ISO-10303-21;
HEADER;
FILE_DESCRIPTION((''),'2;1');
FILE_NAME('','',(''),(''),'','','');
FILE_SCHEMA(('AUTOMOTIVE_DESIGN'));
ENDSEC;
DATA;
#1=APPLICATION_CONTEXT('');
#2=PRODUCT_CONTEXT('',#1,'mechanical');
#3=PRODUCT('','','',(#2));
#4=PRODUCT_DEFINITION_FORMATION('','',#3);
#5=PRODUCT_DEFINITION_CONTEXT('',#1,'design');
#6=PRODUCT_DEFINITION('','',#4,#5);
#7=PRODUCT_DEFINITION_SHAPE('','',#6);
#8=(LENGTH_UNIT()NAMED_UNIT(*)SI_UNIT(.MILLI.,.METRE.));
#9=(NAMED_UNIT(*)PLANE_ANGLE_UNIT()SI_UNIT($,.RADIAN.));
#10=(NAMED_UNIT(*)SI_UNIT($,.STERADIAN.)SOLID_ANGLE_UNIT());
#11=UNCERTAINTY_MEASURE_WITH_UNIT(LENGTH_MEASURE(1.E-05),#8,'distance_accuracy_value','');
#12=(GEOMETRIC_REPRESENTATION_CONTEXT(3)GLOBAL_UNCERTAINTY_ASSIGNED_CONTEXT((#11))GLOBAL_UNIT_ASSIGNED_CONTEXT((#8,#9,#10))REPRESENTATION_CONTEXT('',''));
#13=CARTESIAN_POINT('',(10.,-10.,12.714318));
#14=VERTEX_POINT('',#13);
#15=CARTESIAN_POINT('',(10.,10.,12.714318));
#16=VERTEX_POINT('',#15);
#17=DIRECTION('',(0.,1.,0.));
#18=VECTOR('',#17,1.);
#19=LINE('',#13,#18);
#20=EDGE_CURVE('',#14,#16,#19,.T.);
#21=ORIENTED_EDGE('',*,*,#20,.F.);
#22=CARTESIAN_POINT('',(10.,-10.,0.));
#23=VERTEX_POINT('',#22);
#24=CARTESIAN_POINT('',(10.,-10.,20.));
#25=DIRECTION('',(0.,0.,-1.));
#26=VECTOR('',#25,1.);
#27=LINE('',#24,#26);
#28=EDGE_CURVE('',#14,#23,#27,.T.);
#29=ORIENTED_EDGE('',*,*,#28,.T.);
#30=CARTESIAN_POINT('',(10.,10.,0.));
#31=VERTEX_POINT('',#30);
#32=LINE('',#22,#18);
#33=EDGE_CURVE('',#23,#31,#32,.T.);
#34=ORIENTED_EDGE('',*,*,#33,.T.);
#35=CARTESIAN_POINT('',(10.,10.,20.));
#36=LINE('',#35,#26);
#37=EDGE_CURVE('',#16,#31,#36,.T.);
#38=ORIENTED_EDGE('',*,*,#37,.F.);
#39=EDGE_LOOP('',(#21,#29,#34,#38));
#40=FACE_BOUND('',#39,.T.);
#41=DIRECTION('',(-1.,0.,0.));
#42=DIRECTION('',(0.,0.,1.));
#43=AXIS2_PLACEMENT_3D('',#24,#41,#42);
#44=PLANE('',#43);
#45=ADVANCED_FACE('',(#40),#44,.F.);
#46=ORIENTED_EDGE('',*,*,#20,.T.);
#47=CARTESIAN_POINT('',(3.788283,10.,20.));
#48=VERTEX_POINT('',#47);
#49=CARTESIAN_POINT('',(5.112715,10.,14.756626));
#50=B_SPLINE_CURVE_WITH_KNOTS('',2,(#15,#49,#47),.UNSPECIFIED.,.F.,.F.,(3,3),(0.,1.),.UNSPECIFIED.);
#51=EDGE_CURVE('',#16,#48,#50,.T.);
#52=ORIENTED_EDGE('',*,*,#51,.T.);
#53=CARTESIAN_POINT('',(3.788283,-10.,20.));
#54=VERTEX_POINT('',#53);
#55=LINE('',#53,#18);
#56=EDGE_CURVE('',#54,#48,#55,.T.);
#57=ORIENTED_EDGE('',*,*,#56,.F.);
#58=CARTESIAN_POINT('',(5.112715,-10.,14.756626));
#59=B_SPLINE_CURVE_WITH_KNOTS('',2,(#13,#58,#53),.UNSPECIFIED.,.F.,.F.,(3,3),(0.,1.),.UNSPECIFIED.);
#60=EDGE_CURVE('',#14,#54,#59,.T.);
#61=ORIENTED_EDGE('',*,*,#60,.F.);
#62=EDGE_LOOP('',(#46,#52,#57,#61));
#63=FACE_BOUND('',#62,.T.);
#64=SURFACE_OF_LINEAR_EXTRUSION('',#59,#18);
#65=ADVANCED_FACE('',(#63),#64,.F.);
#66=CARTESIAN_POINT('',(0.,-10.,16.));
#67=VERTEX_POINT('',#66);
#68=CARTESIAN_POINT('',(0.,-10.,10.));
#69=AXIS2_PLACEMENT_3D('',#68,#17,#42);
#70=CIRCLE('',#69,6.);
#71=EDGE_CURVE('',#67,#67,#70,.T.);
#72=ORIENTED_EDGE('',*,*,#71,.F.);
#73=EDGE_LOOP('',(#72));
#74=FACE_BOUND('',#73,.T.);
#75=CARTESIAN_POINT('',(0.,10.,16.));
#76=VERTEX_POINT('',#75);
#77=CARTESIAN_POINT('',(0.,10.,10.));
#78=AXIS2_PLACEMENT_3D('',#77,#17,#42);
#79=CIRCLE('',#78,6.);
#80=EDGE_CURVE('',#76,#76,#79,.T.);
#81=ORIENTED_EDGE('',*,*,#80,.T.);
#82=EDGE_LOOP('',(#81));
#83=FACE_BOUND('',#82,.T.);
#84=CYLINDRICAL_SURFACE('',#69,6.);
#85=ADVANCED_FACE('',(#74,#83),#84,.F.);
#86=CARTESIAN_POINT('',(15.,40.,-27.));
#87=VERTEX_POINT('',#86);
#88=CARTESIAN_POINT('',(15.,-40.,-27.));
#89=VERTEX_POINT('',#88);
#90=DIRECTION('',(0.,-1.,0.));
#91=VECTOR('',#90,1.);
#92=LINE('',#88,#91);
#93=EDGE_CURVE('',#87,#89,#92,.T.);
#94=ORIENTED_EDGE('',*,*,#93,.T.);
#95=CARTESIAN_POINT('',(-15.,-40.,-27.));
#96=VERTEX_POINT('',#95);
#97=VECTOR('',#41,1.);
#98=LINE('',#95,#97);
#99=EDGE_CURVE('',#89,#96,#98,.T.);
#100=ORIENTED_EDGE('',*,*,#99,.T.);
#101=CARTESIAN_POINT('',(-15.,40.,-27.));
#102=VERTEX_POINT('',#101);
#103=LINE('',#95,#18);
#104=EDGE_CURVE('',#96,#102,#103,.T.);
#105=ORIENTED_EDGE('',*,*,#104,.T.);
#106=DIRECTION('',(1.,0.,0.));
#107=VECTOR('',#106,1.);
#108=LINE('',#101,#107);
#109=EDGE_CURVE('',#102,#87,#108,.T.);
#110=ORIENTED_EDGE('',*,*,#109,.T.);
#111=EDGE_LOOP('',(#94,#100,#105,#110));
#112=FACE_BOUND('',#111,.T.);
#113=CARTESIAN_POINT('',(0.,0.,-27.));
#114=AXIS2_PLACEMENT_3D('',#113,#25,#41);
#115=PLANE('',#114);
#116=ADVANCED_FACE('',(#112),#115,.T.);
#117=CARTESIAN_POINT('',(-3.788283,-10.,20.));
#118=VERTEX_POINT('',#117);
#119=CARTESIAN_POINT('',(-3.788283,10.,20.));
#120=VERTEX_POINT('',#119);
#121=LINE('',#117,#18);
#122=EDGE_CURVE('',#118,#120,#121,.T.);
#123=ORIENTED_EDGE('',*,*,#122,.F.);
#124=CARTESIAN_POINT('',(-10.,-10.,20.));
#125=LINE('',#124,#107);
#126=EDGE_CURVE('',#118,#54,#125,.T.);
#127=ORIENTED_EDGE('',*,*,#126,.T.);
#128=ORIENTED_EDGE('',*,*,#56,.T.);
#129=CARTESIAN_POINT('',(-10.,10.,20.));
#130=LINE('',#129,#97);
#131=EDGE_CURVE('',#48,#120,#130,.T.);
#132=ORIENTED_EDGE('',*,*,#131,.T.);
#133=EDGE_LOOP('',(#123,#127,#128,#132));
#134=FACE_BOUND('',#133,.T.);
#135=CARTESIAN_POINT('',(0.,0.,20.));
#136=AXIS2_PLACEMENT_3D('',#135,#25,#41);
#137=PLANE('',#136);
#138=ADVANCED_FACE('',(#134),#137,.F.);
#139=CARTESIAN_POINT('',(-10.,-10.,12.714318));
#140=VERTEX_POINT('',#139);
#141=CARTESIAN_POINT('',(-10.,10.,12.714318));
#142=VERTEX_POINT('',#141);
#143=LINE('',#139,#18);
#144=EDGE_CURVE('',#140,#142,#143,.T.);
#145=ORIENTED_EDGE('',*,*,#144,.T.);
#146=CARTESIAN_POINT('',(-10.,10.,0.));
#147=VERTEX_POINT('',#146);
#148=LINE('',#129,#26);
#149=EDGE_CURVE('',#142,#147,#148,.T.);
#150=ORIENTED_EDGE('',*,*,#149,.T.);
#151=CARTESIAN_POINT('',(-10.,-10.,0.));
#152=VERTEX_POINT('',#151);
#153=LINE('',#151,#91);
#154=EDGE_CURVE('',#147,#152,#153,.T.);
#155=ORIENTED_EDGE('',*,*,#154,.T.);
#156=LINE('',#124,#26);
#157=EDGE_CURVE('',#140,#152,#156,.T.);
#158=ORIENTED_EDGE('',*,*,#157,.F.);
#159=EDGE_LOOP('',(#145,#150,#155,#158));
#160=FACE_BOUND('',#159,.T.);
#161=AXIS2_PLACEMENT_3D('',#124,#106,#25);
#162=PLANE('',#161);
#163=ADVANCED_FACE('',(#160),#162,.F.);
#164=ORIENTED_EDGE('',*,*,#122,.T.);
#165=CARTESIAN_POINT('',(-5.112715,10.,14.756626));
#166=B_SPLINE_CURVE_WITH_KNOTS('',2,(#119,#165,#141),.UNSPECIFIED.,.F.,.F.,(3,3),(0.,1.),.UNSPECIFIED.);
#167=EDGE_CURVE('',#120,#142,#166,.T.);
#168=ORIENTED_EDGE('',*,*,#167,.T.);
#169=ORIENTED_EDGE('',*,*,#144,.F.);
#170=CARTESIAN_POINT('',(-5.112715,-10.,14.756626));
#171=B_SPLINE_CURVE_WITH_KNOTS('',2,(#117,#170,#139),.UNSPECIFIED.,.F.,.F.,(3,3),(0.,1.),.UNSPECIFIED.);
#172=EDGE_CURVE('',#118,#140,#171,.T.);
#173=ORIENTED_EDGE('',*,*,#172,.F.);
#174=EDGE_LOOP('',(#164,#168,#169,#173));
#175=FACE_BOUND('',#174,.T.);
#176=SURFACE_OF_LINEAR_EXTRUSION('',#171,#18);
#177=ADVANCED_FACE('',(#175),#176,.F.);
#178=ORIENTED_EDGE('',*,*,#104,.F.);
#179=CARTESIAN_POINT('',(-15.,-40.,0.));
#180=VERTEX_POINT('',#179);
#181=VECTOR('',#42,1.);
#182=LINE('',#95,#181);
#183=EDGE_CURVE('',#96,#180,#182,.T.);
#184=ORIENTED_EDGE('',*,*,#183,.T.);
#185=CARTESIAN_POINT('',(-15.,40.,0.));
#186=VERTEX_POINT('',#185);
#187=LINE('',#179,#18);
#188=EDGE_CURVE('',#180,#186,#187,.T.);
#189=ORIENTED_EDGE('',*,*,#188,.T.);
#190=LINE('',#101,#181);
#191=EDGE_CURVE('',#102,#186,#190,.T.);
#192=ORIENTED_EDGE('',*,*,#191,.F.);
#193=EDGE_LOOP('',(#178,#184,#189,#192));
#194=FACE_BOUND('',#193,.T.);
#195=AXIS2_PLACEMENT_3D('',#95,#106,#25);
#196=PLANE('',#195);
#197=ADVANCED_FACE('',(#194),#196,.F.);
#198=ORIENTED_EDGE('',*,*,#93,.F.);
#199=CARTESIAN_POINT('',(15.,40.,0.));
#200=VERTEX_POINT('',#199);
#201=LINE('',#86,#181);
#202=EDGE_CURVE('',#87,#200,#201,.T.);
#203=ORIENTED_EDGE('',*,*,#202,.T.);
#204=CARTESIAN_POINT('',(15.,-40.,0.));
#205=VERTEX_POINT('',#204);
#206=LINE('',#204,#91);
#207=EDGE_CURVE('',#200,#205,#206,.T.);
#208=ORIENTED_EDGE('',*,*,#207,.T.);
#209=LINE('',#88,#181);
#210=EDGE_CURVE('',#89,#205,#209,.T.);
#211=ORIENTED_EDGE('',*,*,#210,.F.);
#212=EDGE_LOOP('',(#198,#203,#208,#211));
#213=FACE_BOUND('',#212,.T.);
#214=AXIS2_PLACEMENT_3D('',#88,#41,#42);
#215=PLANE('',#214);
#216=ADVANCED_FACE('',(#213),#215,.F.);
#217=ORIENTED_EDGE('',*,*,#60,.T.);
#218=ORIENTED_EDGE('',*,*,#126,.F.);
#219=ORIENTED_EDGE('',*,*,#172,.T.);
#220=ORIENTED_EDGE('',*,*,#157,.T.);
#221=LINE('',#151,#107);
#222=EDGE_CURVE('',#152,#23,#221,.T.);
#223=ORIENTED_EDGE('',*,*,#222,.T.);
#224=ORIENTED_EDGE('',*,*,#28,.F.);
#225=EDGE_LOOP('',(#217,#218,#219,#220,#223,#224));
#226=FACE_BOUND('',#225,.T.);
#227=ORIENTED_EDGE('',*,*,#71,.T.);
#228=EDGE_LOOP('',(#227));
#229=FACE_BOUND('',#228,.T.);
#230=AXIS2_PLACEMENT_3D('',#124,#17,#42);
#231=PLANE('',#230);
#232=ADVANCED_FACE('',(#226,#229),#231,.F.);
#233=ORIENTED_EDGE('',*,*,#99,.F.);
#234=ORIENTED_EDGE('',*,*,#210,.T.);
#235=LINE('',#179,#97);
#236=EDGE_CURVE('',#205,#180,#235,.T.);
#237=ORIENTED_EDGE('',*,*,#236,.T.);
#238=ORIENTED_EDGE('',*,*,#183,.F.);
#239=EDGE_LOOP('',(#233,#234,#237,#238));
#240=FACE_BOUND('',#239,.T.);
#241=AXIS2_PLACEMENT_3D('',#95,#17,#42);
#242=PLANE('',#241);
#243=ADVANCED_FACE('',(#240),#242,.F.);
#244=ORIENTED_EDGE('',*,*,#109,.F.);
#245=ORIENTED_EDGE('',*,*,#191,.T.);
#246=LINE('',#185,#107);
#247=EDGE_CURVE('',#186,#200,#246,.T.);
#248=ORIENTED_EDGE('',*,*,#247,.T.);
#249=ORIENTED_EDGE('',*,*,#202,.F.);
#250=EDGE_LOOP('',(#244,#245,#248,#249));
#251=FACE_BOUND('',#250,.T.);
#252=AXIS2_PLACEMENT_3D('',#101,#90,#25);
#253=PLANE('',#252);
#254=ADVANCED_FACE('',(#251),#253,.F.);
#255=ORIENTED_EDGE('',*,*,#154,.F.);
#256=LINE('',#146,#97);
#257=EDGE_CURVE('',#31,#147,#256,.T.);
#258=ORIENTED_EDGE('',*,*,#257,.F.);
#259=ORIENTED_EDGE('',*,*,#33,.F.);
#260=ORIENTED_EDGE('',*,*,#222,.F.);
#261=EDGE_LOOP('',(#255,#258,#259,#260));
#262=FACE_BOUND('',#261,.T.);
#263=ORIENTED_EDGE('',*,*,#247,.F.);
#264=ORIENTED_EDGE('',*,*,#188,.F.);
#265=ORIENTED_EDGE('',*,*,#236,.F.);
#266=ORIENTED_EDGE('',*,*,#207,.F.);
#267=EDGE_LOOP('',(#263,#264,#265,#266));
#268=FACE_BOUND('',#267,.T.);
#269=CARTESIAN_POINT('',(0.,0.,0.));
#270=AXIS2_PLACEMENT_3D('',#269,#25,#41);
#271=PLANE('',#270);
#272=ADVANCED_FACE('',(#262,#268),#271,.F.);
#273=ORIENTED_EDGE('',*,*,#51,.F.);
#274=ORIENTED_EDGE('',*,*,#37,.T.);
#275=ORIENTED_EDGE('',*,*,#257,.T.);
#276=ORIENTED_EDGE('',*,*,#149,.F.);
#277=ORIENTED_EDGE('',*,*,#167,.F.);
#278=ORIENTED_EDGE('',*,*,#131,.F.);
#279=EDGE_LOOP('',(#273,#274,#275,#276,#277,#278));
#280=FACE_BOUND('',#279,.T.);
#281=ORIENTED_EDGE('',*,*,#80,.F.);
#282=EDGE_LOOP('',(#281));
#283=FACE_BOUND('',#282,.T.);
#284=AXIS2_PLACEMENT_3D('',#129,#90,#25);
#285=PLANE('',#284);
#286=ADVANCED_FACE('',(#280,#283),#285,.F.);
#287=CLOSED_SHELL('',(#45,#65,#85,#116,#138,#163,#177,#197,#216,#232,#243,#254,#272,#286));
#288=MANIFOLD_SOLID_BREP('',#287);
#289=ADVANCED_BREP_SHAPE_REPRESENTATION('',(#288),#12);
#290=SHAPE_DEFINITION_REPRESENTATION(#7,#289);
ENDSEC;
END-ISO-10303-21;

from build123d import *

# Parameters (mm, degrees)
SKETCH1_W           = 20
SKETCH1_H           = 20
BOSS_EXTRUDE1_DEPTH = 20
SKETCH2_R           = 6
CUT_EXTRUDE1_DEPTH  = 21
CUT_EXTRUDE2_DEPTH  = 21
SKETCH4_W           = 30
SKETCH4_H           = 80
BOSS_EXTRUDE2_DEPTH = 27


with BuildPart() as part:
    # Sketch1 → Boss-Extrude1 (new body)
    with BuildSketch(Plane.XY):
        Rectangle(SKETCH1_W, SKETCH1_H)
    extrude(amount=BOSS_EXTRUDE1_DEPTH)

    # Sketch2 → Cut-Extrude1 (cut, through all)
    with BuildSketch(Plane(origin=(0, 10, 0), x_dir=(1, 0, 0), z_dir=(0, 1, 0))):
        with Locations((0, -10)):
            Circle(SKETCH2_R)
    extrude(amount=-CUT_EXTRUDE1_DEPTH, mode=Mode.SUBTRACT)

    # Sketch3 → Cut-Extrude2 (cut, through all)
    with BuildSketch(Plane(origin=(0, 10, 0), x_dir=(1, 0, 0), z_dir=(0, 1, 0))):
        with BuildLine():
            Line((-10, -12.714318114), (-10, -20))
            Line((-10, -20), (-3.788282588, -20))
            add(Edge.make_bspline(
                [(-10, -12.714318114), (-5.112714727, -14.756625636), (-3.788282588, -20)],
                knots=[0, 0, 0, 1, 1, 1], degree=2))
        make_face()
        with BuildLine():
            Line((10, -12.714318114), (10, -20))
            Line((10, -20), (3.788282588, -20))
            add(Edge.make_bspline(
                [(10, -12.714318114), (5.112714727, -14.756625636), (3.788282588, -20)],
                knots=[0, 0, 0, 1, 1, 1], degree=2))
        make_face()
    extrude(amount=-CUT_EXTRUDE2_DEPTH, mode=Mode.SUBTRACT)

    # Sketch4 → Boss-Extrude2 (add)
    with BuildSketch(Plane(origin=(0, 0, 0), x_dir=(-1, 0, 0), z_dir=(0, 0, -1))):
        Rectangle(SKETCH4_W, SKETCH4_H)
    extrude(amount=BOSS_EXTRUDE2_DEPTH)


solid = part.part
